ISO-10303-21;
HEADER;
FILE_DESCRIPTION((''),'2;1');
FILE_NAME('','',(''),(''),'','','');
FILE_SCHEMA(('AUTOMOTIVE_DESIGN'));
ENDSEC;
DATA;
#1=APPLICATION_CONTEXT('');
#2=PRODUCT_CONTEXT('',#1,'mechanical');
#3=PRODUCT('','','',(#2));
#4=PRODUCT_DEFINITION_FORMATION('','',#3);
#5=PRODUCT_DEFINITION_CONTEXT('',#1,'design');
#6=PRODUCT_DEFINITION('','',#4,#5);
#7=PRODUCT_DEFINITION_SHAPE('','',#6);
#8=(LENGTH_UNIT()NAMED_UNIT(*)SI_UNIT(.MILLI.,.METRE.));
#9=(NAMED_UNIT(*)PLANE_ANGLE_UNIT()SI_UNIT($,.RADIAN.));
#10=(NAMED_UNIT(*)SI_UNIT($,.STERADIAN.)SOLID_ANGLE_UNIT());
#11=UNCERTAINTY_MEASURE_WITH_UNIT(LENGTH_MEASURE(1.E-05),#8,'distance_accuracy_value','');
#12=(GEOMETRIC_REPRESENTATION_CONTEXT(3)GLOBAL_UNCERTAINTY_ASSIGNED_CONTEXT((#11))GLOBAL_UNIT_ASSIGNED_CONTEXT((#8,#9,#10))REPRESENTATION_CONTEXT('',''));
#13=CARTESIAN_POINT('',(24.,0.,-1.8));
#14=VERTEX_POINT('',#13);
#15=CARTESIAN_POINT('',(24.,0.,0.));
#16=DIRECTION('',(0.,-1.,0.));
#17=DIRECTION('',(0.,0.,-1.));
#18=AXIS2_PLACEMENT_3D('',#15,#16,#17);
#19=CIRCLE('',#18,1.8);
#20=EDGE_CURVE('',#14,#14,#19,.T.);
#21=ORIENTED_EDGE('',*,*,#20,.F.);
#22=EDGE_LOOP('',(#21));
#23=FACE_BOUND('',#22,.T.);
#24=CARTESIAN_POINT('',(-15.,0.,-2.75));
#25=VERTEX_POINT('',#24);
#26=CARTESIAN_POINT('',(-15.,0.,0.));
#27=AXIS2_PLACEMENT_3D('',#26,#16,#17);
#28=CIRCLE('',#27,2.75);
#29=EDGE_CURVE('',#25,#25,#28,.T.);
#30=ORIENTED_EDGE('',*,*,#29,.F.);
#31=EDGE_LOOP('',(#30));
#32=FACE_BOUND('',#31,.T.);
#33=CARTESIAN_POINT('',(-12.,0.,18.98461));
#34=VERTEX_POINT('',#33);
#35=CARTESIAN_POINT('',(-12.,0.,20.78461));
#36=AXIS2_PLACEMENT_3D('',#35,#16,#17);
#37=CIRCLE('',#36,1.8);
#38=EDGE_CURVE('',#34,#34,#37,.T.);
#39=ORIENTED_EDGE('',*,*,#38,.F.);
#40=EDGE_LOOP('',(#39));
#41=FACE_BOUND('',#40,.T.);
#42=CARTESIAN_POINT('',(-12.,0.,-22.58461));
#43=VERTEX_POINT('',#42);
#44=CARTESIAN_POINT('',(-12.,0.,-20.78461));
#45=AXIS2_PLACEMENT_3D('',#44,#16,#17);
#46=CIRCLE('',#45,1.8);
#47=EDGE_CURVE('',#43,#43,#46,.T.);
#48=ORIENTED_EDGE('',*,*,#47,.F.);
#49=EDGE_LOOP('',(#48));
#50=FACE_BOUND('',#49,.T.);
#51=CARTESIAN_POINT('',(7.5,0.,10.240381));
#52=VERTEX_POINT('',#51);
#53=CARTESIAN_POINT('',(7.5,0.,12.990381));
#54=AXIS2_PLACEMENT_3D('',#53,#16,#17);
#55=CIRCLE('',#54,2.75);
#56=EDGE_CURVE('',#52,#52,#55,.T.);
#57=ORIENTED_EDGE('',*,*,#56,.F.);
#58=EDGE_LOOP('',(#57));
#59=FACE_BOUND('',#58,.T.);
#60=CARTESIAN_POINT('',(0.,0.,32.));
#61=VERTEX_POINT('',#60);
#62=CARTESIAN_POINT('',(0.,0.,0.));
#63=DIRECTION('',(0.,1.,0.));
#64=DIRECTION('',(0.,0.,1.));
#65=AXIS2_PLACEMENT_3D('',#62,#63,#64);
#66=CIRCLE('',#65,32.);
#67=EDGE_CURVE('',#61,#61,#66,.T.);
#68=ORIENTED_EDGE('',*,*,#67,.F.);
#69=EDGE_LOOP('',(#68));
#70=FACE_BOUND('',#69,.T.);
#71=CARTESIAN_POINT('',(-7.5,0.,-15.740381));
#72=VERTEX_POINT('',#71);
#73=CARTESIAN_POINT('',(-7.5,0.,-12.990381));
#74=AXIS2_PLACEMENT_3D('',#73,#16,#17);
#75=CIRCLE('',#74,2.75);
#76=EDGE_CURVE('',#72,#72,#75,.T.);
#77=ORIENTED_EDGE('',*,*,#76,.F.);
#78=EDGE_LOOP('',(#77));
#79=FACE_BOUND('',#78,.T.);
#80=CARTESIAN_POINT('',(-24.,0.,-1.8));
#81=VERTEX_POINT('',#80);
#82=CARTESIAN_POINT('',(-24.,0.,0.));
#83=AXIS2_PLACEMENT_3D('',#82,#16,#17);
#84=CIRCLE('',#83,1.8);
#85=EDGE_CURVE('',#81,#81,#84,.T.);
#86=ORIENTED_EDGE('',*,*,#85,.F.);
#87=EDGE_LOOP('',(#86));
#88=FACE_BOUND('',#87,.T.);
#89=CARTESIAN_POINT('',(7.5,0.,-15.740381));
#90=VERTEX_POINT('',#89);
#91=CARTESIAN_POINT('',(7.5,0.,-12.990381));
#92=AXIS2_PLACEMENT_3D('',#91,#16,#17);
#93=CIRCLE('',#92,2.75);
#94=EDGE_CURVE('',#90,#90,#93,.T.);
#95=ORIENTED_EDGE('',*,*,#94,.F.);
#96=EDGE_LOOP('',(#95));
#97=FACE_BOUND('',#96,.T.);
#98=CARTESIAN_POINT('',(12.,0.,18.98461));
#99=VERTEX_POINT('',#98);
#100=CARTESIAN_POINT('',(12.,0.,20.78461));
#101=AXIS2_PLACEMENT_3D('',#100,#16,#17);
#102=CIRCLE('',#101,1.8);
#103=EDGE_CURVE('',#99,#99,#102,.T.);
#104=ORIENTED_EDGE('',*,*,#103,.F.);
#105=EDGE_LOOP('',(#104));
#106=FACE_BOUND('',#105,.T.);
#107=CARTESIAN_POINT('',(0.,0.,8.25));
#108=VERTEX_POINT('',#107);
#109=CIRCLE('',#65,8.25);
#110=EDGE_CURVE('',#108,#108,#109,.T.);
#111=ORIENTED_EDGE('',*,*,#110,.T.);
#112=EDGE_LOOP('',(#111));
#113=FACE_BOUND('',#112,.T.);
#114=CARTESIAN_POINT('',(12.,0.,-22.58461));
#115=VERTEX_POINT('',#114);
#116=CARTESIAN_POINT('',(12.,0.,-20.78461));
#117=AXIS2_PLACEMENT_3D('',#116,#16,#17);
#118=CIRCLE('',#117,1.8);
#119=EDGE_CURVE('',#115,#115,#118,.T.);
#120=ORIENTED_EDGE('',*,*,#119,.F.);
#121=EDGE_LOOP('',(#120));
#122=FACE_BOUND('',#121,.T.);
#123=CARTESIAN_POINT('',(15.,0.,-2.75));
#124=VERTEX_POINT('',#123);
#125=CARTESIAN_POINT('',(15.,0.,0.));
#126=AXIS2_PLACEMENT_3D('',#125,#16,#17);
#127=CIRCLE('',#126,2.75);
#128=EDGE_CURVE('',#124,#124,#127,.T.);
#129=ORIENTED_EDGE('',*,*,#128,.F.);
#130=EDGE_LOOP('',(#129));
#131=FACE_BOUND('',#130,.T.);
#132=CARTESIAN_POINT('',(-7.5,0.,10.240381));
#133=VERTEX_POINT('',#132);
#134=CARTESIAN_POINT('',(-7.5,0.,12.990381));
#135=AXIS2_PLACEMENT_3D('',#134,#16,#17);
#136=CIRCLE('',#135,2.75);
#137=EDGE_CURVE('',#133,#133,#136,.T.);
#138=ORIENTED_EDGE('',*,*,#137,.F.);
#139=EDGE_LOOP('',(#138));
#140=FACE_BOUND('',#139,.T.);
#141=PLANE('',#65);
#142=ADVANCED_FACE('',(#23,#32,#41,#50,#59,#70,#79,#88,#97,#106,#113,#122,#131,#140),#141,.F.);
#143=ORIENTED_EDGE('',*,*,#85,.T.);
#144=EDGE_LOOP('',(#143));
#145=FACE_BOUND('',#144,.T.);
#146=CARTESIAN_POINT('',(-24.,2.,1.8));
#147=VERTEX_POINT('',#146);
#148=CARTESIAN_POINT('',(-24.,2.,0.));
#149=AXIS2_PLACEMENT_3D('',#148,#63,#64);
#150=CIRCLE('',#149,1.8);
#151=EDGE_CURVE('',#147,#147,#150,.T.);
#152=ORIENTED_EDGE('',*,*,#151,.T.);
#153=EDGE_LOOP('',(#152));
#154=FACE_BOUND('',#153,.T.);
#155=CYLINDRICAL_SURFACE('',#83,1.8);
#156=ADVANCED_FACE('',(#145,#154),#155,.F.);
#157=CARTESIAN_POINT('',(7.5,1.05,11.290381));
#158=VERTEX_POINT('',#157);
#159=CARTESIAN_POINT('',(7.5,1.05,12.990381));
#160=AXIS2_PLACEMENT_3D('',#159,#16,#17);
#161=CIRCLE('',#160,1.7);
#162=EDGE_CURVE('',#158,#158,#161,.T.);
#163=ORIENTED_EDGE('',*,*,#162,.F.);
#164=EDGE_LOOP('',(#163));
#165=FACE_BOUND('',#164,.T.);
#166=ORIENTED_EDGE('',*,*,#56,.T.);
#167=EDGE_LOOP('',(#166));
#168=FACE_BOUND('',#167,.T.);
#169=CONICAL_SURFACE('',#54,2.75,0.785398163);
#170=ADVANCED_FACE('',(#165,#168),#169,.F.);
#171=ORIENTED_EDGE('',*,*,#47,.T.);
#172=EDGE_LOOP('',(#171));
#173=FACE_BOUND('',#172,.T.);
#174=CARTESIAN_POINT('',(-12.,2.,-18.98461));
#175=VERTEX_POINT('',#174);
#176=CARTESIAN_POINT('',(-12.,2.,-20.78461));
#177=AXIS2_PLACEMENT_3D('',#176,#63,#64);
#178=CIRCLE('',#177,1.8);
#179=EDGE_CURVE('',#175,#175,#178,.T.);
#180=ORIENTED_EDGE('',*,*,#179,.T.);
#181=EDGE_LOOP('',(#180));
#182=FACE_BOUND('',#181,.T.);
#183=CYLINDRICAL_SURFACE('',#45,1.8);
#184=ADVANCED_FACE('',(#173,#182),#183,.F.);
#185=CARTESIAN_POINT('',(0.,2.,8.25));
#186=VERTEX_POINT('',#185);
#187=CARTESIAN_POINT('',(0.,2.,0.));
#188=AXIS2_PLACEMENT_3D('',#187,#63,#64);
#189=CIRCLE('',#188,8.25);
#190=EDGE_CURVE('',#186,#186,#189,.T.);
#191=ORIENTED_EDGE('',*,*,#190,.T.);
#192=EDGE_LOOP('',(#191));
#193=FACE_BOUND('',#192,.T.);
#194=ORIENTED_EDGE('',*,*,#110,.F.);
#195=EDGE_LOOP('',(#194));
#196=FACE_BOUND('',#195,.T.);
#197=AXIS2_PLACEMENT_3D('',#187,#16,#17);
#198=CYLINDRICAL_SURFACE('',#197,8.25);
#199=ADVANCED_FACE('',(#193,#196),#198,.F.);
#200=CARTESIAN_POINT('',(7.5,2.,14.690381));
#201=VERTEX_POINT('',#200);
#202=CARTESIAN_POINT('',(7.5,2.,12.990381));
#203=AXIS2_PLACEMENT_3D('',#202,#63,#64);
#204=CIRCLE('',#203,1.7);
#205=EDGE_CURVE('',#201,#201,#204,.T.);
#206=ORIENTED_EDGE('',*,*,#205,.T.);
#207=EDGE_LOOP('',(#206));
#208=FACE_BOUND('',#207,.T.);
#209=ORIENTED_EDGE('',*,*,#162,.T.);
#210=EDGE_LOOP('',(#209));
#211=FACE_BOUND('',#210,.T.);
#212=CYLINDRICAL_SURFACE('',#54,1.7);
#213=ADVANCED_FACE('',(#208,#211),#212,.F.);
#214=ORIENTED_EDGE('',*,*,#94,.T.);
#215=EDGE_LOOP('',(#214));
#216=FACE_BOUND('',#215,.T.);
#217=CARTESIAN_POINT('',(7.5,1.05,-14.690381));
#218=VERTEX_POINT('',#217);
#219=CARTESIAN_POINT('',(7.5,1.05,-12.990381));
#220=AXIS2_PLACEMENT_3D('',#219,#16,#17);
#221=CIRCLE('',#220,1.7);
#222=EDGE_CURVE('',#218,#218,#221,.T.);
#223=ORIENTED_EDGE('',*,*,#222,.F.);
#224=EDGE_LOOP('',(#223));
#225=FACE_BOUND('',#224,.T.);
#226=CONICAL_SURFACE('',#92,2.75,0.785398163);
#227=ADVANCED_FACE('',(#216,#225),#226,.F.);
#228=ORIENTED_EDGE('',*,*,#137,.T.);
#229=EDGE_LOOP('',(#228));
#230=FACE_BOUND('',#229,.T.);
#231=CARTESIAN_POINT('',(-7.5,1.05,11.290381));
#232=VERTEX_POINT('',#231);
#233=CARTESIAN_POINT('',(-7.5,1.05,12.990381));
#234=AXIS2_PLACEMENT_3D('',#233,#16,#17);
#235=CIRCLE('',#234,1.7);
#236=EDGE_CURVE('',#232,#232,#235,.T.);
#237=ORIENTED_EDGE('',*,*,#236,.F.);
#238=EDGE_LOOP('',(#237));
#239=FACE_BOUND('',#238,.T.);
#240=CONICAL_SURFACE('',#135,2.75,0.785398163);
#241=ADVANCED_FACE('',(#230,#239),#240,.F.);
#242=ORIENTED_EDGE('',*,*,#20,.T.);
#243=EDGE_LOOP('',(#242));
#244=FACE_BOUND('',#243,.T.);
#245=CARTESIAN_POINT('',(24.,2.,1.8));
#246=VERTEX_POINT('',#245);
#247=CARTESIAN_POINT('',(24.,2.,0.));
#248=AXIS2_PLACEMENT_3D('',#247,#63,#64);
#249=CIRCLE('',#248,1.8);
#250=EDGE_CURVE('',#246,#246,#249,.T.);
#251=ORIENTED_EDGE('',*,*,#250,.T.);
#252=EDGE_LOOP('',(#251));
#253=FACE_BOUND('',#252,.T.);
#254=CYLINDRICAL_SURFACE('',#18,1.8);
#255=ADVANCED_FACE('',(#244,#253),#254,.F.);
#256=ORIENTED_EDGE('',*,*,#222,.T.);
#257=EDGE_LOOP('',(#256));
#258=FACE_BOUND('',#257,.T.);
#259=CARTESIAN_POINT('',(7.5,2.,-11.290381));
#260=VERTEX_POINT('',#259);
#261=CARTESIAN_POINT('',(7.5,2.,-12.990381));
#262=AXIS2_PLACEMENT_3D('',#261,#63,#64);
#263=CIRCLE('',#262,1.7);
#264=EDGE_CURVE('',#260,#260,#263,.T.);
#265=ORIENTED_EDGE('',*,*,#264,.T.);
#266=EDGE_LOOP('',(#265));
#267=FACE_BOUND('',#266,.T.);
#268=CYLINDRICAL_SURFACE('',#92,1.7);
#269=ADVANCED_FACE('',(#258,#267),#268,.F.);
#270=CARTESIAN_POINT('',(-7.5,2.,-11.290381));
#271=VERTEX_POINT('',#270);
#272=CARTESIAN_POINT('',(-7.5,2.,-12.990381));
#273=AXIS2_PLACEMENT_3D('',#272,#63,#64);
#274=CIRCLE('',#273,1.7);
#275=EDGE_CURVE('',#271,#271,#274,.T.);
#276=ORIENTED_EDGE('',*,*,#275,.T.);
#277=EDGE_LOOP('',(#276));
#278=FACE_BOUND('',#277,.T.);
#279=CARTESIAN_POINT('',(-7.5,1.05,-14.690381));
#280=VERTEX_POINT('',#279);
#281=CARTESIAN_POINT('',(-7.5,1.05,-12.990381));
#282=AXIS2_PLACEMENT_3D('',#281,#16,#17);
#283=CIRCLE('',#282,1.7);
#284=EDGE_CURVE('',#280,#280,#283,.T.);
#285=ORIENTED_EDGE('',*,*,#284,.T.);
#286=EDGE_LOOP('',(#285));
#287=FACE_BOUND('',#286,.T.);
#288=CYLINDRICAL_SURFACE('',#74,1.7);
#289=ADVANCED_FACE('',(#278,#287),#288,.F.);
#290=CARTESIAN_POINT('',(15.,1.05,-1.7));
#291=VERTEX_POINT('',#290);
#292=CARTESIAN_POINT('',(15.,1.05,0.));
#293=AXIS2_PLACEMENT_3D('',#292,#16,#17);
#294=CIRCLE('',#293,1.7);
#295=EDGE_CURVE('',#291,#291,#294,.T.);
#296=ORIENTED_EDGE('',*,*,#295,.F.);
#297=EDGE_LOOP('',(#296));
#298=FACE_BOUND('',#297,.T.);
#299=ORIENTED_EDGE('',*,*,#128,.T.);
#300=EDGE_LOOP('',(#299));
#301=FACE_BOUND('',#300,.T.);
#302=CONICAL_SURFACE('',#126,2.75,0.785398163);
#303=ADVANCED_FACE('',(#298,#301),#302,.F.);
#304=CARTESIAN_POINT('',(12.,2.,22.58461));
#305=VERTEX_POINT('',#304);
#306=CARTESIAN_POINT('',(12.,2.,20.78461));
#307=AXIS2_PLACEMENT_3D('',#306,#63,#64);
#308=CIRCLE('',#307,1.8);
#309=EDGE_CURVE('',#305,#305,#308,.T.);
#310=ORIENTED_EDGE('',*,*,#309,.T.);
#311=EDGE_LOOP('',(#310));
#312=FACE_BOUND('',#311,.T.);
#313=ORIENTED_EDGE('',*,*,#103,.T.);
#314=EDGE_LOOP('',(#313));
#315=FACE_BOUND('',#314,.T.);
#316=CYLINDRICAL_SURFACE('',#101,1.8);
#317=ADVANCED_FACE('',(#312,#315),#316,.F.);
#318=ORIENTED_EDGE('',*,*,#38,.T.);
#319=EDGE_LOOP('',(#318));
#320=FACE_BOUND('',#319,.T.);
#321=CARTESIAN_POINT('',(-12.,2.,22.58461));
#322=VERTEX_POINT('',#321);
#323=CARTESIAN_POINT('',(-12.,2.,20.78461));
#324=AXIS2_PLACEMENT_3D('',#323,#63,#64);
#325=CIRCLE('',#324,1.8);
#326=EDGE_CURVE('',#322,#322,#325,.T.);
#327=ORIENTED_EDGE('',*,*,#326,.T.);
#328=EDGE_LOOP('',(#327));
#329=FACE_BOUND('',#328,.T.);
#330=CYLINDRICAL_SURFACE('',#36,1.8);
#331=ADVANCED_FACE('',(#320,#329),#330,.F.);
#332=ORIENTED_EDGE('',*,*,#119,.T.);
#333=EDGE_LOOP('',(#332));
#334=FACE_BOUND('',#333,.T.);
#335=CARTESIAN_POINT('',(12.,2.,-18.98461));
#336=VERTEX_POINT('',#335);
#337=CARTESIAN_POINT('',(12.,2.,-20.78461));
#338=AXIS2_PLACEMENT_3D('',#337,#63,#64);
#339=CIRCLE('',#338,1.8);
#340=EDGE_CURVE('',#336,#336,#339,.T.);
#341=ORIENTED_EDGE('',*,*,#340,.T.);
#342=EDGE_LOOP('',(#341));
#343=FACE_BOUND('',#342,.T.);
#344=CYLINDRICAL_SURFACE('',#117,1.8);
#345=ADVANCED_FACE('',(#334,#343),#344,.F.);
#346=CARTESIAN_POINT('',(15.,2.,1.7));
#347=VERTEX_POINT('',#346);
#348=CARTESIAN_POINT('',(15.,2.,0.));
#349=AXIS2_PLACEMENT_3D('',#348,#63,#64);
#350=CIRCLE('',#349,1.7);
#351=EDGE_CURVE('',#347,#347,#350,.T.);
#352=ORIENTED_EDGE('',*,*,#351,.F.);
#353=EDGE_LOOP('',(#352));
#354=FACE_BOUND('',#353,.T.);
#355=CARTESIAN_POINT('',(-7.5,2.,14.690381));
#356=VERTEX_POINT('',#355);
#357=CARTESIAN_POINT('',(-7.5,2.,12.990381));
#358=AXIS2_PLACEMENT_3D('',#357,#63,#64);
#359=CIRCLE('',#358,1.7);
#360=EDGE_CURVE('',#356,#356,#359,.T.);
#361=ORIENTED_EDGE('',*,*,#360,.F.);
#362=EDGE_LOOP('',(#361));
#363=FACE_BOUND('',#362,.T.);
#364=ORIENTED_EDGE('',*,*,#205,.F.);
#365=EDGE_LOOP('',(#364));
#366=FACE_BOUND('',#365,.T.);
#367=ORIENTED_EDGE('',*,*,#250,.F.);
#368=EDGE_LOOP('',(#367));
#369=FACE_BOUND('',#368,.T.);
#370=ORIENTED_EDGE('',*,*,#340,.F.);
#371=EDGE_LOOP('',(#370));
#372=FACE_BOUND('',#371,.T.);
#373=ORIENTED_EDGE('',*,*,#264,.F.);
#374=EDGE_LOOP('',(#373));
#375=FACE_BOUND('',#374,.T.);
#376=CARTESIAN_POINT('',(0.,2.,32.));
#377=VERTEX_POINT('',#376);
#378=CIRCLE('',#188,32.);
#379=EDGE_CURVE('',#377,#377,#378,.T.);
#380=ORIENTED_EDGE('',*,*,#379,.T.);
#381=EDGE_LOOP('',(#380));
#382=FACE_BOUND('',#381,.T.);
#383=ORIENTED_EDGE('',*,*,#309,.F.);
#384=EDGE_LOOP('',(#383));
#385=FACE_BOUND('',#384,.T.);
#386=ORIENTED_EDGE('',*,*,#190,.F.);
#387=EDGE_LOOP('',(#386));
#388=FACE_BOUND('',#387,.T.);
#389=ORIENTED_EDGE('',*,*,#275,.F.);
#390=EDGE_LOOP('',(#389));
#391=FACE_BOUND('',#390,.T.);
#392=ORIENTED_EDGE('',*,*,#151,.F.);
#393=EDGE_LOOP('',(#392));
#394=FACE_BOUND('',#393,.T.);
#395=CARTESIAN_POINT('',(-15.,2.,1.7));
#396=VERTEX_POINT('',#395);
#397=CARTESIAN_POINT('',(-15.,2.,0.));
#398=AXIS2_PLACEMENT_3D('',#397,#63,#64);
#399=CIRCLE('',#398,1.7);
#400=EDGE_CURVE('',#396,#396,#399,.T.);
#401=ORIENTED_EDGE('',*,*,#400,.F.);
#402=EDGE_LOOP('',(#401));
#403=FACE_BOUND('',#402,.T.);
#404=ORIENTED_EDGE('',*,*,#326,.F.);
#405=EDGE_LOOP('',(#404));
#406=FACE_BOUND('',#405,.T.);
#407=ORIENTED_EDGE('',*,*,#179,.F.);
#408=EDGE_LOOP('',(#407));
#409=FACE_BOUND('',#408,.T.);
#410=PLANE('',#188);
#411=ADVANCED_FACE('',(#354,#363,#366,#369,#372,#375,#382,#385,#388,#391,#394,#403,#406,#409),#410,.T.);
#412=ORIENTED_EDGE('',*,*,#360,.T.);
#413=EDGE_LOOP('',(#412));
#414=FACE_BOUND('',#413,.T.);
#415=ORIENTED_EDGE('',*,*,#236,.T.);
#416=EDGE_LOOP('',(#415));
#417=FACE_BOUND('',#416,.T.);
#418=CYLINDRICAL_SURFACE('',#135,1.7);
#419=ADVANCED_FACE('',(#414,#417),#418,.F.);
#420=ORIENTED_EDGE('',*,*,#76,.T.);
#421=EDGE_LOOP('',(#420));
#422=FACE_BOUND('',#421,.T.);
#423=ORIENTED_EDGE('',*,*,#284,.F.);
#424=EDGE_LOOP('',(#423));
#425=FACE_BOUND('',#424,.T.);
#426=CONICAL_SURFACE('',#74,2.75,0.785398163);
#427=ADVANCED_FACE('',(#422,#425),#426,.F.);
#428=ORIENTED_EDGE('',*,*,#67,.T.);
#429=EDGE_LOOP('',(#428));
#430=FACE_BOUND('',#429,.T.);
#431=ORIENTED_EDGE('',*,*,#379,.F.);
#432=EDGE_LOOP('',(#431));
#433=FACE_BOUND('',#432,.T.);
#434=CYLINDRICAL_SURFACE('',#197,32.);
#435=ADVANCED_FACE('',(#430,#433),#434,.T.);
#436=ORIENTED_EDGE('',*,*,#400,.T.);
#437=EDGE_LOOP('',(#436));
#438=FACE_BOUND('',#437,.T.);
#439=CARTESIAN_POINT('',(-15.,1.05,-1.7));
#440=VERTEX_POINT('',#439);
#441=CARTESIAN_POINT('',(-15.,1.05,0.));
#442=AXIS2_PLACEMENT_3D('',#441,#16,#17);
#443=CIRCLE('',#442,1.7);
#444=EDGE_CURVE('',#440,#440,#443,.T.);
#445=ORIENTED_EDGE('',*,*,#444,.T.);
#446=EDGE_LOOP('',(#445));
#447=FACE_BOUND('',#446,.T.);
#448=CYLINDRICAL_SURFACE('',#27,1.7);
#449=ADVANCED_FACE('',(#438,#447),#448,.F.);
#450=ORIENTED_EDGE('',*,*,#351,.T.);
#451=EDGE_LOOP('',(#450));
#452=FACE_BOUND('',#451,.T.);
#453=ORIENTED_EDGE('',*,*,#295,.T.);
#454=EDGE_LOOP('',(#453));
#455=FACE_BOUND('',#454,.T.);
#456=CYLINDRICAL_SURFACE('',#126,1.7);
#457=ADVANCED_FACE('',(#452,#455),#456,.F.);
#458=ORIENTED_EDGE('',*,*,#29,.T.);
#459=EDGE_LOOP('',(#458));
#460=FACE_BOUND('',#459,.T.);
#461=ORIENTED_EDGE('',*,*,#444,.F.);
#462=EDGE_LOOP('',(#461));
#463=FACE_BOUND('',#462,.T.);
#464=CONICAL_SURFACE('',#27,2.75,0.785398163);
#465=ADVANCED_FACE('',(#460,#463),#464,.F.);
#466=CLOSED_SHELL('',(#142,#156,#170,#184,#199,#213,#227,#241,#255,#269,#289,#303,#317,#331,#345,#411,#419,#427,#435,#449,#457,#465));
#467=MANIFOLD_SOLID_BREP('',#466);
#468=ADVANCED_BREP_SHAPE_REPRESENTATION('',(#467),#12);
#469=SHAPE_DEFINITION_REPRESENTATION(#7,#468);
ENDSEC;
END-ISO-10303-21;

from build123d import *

# Parameters (mm, degrees)
SKETCH1_R                                    = 32
SKETCH1_R_2                                  = 8.25
BOSS_EXTRUDE1_DEPTH                          = 2
CSK_FOR_M3_HEX_SOCKET_COUNTERSUNK_HE_2_COUNT = 2
CSK_FOR_M3_HEX_SOCKET_COUNTERSUNK_HE_2_PITCH = 15
CSK_FOR_M3_HEX_SOCKET_COUNTERSUNK_HE_3_COUNT = 2
CSK_FOR_M3_HEX_SOCKET_COUNTERSUNK_HE_3_PITCH = 25.980762114
CSK_FOR_M3_HEX_SOCKET_COUNTERSUNK_HE_4_COUNT = 2
CSK_FOR_M3_HEX_SOCKET_COUNTERSUNK_HE_4_PITCH = 30
CSK_FOR_M3_HEX_SOCKET_COUNTERSUNK_HE_5_COUNT = 2
CSK_FOR_M3_HEX_SOCKET_COUNTERSUNK_HE_5_PITCH = 25.980762114
CSK_FOR_M3_HEX_SOCKET_COUNTERSUNK_HE_6_COUNT = 2
CSK_FOR_M3_HEX_SOCKET_COUNTERSUNK_HE_6_PITCH = 15
M3_CLEARANCE_HOLE1_D                         = 3.6


with BuildPart() as part:
    # Sketch1 → Boss-Extrude1 (new body)
    with BuildSketch(Plane(origin=(0, 0, 0), x_dir=(1, 0, 0), z_dir=(0, 1, 0))):
        with Locations(Location((0, 0, 0), (0, 0, 270))):
            Circle(SKETCH1_R)
        with Locations(Location((0, 0, 0), (0, 0, 270))):
            Circle(SKETCH1_R_2, mode=Mode.SUBTRACT)
    extrude(amount=BOSS_EXTRUDE1_DEPTH)

    # Sketch4 → CSK for M3 Hex Socket Countersunk Head Screw1 (revolve, cut)
    with BuildSketch(Plane(origin=(-7.5, 0, -12.990381057), x_dir=(0, 0, -1), z_dir=(1, 0, 0))):
        Polygon((0, 0), (0, 2), (1.7, 2), (1.7, 1.05), (2.75, 0), align=None)
    csk_for_m3_hex_socket_countersunk_head_s = revolve(axis=Axis((-7.5, -6.35, -12.990381057), (0, 1, 0)), mode=Mode.SUBTRACT)

    # CSK for M3 Hex Socket Countersunk He 2: CSK for M3 Hex Socket Countersunk Head Screw1 ×2
    with Locations(*[(i * CSK_FOR_M3_HEX_SOCKET_COUNTERSUNK_HE_2_PITCH, 0, 0) for i in range(1, CSK_FOR_M3_HEX_SOCKET_COUNTERSUNK_HE_2_COUNT)]):
        add(csk_for_m3_hex_socket_countersunk_head_s, mode=Mode.SUBTRACT)

    # CSK for M3 Hex Socket Countersunk He 3: CSK for M3 Hex Socket Countersunk Head Screw1 ×2
    with Locations(*[Vector(0.8660254037844752, 0, 0.49999999999993666) * (i * CSK_FOR_M3_HEX_SOCKET_COUNTERSUNK_HE_3_PITCH) for i in range(1, CSK_FOR_M3_HEX_SOCKET_COUNTERSUNK_HE_3_COUNT)]):
        add(csk_for_m3_hex_socket_countersunk_head_s, mode=Mode.SUBTRACT)

    # CSK for M3 Hex Socket Countersunk He 4: CSK for M3 Hex Socket Countersunk Head Screw1 ×2
    with Locations(*[Vector(0.5000000000000633, 0, 0.8660254037844022) * (i * CSK_FOR_M3_HEX_SOCKET_COUNTERSUNK_HE_4_PITCH) for i in range(1, CSK_FOR_M3_HEX_SOCKET_COUNTERSUNK_HE_4_COUNT)]):
        add(csk_for_m3_hex_socket_countersunk_head_s, mode=Mode.SUBTRACT)

    # CSK for M3 Hex Socket Countersunk He 5: CSK for M3 Hex Socket Countersunk Head Screw1 ×2
    with Locations(*[(0, 0, i * CSK_FOR_M3_HEX_SOCKET_COUNTERSUNK_HE_5_PITCH) for i in range(1, CSK_FOR_M3_HEX_SOCKET_COUNTERSUNK_HE_5_COUNT)]):
        add(csk_for_m3_hex_socket_countersunk_head_s, mode=Mode.SUBTRACT)

    # CSK for M3 Hex Socket Countersunk He 6: CSK for M3 Hex Socket Countersunk Head Screw1 ×2
    with Locations(*[Vector(-0.499999999999937, 0, 0.8660254037844751) * (i * CSK_FOR_M3_HEX_SOCKET_COUNTERSUNK_HE_6_PITCH) for i in range(1, CSK_FOR_M3_HEX_SOCKET_COUNTERSUNK_HE_6_COUNT)]):
        add(csk_for_m3_hex_socket_countersunk_head_s, mode=Mode.SUBTRACT)

    # M3 Clearance Hole1 (through all)
    with Locations(Plane(origin=(0, 0, 0), x_dir=(-1, 0, 0), z_dir=(0, -1, 0))):
        with Locations((-12, -20.784609691), (-24, 0), (-12, 20.784609691), (12, 20.784609691), (24, 0), (12, -20.784609691)):
            Hole(M3_CLEARANCE_HOLE1_D / 2)


solid = part.part
